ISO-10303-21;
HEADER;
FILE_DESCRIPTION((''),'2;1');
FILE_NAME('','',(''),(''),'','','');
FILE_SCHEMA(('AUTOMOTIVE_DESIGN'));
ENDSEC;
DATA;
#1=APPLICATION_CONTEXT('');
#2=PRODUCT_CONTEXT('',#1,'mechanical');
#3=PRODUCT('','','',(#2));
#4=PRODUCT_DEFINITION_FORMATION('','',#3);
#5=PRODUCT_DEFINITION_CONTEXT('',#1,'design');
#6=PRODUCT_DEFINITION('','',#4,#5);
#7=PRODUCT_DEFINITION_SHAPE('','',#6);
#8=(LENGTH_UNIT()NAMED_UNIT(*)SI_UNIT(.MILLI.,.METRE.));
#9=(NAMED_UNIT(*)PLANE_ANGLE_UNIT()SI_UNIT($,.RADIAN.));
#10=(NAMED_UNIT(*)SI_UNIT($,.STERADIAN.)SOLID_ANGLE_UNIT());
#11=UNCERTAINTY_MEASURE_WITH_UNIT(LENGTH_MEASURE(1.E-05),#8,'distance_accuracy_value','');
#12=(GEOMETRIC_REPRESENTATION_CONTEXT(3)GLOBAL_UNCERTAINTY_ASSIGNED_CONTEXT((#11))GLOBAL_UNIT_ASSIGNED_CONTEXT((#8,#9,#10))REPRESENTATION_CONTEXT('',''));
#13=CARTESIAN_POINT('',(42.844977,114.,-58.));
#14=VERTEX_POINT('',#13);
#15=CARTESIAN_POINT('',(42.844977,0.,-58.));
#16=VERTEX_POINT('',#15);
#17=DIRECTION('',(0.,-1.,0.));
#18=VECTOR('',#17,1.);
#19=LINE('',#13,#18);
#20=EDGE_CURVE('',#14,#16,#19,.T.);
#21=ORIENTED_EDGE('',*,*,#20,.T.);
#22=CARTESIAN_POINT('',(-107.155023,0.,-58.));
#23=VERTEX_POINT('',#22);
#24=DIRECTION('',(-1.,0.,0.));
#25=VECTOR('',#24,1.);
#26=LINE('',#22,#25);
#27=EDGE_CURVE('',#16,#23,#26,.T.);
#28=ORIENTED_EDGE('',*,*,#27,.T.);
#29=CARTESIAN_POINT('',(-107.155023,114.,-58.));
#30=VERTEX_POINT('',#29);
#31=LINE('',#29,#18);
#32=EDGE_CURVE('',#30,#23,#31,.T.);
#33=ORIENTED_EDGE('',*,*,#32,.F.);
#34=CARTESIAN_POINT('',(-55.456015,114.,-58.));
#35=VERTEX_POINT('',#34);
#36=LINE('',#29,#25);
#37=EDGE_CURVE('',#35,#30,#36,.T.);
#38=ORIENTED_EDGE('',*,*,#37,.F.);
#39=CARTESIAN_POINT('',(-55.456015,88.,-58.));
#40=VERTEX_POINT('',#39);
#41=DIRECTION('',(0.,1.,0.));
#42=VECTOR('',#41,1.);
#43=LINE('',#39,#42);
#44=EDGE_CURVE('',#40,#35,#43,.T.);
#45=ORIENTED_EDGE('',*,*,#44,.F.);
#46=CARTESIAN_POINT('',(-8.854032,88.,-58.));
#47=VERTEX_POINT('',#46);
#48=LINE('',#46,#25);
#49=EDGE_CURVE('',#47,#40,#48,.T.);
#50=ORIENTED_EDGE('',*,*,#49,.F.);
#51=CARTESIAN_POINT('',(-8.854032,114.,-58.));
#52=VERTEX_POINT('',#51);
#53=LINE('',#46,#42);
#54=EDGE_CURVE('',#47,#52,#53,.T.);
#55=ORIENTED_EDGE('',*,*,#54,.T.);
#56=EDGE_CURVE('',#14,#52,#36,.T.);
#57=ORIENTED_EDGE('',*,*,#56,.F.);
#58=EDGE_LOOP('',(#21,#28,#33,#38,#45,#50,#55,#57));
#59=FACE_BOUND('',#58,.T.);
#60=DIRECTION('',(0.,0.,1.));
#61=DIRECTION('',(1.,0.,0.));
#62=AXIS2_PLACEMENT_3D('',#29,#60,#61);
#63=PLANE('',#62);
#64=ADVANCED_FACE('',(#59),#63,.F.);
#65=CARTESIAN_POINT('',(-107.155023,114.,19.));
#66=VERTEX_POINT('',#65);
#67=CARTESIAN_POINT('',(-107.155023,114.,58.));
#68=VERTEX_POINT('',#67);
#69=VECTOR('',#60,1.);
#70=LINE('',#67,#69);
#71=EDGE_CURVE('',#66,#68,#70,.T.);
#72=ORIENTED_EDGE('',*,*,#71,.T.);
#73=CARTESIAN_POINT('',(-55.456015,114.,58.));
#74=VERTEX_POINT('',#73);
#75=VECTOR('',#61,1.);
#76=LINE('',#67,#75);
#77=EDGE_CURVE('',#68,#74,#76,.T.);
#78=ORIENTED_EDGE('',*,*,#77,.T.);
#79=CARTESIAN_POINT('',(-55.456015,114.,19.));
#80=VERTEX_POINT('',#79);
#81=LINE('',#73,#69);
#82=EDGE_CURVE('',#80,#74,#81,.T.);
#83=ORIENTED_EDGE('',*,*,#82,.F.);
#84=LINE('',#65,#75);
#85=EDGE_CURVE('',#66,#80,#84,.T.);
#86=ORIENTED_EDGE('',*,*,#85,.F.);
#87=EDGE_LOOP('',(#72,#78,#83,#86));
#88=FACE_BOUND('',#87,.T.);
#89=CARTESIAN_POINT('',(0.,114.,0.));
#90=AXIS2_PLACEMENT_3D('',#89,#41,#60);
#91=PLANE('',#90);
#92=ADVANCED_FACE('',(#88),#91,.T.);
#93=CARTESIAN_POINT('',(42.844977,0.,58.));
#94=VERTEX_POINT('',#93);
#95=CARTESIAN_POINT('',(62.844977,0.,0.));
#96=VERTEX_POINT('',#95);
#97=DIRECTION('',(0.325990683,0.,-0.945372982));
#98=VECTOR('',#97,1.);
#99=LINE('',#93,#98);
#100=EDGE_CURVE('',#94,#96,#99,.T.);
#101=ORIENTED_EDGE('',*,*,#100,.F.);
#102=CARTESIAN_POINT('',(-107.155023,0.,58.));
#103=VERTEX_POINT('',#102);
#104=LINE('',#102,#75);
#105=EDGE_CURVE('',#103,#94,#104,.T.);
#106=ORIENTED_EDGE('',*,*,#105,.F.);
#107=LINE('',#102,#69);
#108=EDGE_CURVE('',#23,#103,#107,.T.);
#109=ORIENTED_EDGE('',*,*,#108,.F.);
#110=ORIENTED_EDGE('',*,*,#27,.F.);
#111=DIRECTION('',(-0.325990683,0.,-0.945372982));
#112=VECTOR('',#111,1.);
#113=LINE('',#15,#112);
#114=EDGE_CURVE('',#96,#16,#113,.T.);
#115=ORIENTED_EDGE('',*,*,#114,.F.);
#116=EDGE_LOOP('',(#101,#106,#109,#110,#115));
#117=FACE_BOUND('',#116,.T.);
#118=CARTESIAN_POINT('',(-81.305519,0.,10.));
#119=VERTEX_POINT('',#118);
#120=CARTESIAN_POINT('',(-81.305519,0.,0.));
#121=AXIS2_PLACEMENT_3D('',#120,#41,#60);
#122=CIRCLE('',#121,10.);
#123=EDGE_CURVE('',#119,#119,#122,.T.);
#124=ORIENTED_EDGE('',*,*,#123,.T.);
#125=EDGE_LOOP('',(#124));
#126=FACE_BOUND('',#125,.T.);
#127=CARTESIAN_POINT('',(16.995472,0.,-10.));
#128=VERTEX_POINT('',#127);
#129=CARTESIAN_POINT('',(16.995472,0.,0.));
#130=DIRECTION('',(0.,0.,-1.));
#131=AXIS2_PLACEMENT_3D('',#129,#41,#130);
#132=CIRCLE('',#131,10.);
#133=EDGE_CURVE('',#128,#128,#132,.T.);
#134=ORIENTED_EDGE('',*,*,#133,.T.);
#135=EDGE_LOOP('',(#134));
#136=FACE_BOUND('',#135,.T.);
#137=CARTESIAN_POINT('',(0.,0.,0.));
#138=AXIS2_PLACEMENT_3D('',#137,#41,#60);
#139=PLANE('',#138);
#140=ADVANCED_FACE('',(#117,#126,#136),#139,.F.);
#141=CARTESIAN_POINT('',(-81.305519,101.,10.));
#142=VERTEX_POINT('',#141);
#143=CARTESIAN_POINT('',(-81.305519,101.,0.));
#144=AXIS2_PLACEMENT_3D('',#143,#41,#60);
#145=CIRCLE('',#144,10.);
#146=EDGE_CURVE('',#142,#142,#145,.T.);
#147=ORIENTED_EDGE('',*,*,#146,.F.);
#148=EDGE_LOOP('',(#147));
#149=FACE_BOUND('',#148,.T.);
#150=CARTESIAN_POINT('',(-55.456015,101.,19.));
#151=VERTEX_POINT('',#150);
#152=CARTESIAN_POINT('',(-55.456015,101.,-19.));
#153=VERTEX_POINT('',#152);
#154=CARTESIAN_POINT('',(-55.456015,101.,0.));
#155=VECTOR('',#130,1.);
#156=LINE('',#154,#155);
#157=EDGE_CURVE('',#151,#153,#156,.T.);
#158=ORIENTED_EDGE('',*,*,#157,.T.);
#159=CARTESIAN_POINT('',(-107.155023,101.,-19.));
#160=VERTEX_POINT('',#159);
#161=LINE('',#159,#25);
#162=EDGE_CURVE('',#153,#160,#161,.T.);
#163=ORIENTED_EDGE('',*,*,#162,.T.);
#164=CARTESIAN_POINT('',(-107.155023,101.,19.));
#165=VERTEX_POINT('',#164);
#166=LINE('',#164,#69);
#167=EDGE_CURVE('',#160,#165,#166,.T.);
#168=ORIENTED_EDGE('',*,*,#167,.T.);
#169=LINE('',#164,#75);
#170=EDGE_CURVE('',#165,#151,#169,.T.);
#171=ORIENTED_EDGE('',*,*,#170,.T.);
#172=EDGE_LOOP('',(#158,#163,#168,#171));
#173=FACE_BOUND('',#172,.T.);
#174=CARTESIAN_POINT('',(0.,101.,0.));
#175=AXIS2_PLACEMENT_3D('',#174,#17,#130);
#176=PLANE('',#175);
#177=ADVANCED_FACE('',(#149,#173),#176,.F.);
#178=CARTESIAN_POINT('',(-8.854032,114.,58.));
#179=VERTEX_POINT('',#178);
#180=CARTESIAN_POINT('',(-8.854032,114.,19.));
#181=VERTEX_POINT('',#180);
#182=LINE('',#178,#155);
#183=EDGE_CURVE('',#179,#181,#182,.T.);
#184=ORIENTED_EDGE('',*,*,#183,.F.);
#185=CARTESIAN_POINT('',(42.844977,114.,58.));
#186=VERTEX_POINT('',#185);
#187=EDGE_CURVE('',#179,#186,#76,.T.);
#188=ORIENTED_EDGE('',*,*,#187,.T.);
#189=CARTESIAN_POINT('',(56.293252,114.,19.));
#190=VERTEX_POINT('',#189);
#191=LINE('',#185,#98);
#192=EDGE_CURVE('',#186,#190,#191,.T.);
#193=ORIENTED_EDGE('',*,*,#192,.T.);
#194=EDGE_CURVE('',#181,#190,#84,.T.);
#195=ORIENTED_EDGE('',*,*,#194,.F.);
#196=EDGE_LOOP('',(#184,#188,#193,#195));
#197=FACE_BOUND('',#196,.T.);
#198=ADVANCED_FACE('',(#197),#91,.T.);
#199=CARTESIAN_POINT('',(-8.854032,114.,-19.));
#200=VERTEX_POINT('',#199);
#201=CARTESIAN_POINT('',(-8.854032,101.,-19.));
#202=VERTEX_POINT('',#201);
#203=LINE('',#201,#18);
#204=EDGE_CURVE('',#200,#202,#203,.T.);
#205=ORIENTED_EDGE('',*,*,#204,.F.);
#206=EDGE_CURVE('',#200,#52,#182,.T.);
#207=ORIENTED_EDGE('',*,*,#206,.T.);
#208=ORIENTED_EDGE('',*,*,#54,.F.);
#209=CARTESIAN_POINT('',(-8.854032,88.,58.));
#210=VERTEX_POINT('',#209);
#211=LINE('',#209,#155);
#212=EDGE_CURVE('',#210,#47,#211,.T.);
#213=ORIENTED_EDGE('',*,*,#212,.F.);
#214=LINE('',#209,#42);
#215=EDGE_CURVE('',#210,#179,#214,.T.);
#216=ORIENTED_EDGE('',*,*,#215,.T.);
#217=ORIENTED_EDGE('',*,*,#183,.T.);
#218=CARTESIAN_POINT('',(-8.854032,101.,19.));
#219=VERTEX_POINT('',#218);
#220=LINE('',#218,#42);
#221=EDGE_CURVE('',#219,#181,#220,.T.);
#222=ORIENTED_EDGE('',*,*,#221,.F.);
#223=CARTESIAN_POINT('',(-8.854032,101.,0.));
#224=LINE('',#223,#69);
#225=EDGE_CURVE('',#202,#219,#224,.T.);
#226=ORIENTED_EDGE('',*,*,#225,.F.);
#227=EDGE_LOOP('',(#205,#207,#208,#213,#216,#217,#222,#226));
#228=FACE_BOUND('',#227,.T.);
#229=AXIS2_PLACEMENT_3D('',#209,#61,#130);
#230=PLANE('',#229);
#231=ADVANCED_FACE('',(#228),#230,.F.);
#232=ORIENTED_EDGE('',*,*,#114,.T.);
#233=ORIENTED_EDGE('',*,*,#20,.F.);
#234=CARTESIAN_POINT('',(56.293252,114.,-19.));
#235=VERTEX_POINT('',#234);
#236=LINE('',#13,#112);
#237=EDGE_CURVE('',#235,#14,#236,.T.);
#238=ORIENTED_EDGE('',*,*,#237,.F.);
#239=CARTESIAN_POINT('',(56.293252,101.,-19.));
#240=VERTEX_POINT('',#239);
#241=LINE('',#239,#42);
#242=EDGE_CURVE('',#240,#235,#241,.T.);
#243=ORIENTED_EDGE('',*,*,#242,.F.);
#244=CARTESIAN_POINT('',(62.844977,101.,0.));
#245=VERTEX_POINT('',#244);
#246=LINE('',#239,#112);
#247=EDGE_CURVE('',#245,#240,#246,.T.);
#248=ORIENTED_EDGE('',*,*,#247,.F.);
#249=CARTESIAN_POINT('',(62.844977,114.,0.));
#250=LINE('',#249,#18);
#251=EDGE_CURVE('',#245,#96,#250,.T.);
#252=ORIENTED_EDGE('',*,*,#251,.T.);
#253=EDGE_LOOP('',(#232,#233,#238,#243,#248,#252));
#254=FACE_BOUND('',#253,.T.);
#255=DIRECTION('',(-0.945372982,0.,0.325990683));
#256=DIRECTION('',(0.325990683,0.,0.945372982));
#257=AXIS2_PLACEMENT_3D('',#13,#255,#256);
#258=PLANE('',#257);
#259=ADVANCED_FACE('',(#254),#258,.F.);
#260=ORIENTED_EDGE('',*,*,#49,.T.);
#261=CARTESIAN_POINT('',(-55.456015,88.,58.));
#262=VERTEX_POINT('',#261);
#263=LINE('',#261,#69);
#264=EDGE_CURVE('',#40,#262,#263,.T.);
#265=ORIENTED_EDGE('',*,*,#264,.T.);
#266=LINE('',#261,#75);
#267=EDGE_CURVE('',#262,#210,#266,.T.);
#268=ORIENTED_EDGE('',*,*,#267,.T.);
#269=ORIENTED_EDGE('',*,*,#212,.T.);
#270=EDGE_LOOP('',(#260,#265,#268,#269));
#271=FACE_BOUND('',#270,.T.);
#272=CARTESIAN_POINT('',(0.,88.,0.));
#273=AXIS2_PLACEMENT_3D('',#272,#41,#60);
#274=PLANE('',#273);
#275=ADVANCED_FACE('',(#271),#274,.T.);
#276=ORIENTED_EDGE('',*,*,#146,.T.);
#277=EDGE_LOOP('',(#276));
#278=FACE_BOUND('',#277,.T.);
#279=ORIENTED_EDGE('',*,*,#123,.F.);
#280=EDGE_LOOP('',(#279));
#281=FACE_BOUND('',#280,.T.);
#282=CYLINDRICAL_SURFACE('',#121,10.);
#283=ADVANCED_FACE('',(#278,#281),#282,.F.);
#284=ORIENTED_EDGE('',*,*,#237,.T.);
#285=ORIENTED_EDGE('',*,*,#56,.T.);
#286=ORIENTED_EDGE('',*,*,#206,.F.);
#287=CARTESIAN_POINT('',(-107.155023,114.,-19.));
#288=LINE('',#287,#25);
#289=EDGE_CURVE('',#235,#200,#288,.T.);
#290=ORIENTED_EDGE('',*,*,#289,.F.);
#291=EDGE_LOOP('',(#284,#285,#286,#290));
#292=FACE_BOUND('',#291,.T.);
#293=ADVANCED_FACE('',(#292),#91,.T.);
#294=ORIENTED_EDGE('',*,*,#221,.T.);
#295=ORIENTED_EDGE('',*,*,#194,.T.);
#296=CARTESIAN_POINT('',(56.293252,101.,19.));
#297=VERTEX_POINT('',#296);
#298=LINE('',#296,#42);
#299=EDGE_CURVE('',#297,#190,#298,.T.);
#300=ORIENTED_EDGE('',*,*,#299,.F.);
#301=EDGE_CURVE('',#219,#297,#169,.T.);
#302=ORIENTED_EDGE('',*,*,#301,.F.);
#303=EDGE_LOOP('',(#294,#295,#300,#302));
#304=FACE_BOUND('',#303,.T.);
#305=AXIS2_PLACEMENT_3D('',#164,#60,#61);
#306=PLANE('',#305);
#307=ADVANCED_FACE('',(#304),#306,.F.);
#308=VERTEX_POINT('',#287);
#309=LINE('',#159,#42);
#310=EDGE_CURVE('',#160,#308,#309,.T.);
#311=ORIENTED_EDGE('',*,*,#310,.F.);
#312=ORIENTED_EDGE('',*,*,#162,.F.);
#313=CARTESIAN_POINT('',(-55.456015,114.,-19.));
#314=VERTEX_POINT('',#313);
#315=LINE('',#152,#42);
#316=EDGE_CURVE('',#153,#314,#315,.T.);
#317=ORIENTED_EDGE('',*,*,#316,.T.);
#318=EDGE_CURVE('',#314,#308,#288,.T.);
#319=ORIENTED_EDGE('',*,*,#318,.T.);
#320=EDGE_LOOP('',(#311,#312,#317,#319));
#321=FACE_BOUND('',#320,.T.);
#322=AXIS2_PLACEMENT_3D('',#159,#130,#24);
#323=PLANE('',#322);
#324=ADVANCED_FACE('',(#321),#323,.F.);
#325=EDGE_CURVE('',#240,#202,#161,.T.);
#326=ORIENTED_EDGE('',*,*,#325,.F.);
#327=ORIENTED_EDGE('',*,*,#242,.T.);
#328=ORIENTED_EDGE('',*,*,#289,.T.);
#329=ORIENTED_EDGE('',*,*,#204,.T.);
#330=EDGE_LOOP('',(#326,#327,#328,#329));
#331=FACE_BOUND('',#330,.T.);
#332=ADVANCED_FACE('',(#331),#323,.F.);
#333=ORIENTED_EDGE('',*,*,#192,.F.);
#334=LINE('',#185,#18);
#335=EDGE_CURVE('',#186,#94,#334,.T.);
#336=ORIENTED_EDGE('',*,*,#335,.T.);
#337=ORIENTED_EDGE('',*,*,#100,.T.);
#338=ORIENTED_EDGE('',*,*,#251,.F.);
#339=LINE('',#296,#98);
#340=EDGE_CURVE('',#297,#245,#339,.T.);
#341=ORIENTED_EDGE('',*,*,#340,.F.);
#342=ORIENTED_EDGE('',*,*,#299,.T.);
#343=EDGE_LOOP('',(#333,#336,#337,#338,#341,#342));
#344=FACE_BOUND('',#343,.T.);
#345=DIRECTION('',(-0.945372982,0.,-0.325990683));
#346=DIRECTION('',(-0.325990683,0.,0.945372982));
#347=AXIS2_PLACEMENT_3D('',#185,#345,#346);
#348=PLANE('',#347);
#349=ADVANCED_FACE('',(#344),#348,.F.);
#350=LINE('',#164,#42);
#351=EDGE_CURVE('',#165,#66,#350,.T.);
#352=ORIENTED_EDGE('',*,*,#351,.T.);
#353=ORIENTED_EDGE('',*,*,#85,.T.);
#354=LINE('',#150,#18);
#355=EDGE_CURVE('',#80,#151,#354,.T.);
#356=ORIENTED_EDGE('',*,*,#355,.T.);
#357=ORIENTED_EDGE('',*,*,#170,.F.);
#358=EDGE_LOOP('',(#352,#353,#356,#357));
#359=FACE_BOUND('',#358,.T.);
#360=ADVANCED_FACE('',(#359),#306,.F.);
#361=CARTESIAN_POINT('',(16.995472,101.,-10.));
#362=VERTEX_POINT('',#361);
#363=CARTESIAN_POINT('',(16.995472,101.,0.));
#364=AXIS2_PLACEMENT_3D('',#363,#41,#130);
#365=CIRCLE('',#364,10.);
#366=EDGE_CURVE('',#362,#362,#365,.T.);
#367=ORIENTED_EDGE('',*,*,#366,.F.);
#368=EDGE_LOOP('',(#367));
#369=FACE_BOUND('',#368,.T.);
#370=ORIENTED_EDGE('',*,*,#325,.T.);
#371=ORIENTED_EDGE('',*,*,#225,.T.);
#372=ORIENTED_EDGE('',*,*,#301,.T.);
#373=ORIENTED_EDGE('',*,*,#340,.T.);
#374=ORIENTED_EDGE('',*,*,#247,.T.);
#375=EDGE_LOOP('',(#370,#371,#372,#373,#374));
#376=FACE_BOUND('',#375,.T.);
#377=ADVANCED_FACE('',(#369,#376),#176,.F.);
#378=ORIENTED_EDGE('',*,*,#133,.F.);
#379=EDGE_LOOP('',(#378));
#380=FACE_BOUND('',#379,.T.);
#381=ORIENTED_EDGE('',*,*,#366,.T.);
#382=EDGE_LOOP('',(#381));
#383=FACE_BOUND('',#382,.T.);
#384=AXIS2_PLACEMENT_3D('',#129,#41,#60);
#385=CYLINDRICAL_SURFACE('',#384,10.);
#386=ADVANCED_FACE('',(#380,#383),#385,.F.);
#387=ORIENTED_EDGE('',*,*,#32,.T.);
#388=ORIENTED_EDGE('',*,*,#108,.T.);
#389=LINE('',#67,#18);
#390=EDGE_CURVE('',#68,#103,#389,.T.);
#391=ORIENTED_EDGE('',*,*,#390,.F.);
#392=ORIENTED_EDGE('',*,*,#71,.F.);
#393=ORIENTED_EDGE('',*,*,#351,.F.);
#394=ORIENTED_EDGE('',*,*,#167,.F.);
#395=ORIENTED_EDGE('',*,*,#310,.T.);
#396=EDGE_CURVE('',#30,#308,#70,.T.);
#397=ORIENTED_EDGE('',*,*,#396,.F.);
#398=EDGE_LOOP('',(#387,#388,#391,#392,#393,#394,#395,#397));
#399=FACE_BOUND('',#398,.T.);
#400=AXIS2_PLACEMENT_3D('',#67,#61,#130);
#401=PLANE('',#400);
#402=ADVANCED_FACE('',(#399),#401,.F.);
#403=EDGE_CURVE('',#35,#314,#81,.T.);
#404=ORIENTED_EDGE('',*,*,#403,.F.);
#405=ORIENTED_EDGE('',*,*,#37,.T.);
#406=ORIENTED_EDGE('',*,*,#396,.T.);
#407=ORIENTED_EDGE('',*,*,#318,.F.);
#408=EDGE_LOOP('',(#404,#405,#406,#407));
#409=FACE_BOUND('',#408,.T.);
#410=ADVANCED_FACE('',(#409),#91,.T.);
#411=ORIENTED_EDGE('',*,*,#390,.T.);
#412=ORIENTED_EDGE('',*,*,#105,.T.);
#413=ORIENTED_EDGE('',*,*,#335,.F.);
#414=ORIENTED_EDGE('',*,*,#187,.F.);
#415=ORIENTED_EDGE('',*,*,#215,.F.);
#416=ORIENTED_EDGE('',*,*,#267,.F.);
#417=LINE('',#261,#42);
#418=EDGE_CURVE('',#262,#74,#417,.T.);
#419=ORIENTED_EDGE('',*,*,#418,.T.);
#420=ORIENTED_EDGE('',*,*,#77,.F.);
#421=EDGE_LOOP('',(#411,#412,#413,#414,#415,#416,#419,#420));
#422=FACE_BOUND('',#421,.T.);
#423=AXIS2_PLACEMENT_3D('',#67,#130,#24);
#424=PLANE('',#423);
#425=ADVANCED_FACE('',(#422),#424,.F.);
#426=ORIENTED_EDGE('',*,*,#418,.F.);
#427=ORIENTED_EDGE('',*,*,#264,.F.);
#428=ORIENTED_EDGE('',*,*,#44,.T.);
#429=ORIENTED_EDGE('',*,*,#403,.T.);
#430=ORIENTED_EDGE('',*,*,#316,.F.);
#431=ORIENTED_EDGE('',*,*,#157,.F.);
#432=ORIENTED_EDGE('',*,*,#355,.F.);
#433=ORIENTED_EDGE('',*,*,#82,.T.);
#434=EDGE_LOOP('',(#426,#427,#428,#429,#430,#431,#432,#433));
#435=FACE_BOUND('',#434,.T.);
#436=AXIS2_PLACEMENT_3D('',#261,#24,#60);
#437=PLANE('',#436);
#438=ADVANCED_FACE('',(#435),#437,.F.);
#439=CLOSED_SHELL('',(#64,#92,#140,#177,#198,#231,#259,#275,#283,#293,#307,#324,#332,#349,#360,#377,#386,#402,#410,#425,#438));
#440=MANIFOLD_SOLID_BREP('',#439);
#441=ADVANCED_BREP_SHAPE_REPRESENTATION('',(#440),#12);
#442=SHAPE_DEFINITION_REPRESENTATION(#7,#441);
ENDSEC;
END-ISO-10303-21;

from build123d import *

# Parameters (mm, degrees)
ESTRUSIONE_ESTRUSIONE1_DEPTH = 114
TAGLIO_ESTRUSIONE3_DEPTH     = 13
SCHIZZO6_W                   = 46.601982298
SCHIZZO6_H                   = 116
TAGLIO_ESTRUSIONE4_DEPTH     = 26
SCHIZZO7_R                   = 10
TAGLIO_ESTRUSIONE5_DEPTH     = 159.263069137


with BuildPart() as part:
    # Schizzo1 → Estrusione-Estrusione1 (new body)
    with BuildSketch(Plane(origin=(0, 0, 0), x_dir=(1, 0, 0), z_dir=(0, 1, 0))):
        Polygon((-107.155023459, -58), (-107.155023459, 58), (42.844976541, 58), (62.844976541, 0), (42.844976541, -58), align=None)
    extrude(amount=ESTRUSIONE_ESTRUSIONE1_DEPTH)

    # Schizzo3 → Taglio-Estrusione3 (cut)
    with BuildSketch(Plane(origin=(0, 114, 0), x_dir=(1, 0, 0), z_dir=(0, 1, 0))):
        Polygon((-107.155023459, -19), (-107.155023459, 19), (56.293252403, 19), (62.844976541, 0), (56.293252403, -19), align=None)
    extrude(amount=-TAGLIO_ESTRUSIONE3_DEPTH, mode=Mode.SUBTRACT)

    # Schizzo6 → Taglio-Estrusione4 (cut)
    with BuildSketch(Plane(origin=(0, 114, 0), x_dir=(1, 0, 0), z_dir=(0, 1, 0))):
        with Locations((-32.155023459, 0)):
            Rectangle(SCHIZZO6_W, SCHIZZO6_H)
    extrude(amount=-TAGLIO_ESTRUSIONE4_DEPTH, mode=Mode.SUBTRACT)

    # Schizzo7 → Taglio-Estrusione5 (cut, through all)
    with BuildSketch(Plane(origin=(0, 101, 0), x_dir=(1, 0, 0), z_dir=(0, 1, 0))):
        with Locations(Location((-81.305519034, 0, 0), (0, 0, 270))):
            Circle(SCHIZZO7_R)
        with Locations(Location((16.995472115, 0, 0), (0, 0, 90))):
            Circle(SCHIZZO7_R)
    extrude(amount=-TAGLIO_ESTRUSIONE5_DEPTH, mode=Mode.SUBTRACT)


solid = part.part
